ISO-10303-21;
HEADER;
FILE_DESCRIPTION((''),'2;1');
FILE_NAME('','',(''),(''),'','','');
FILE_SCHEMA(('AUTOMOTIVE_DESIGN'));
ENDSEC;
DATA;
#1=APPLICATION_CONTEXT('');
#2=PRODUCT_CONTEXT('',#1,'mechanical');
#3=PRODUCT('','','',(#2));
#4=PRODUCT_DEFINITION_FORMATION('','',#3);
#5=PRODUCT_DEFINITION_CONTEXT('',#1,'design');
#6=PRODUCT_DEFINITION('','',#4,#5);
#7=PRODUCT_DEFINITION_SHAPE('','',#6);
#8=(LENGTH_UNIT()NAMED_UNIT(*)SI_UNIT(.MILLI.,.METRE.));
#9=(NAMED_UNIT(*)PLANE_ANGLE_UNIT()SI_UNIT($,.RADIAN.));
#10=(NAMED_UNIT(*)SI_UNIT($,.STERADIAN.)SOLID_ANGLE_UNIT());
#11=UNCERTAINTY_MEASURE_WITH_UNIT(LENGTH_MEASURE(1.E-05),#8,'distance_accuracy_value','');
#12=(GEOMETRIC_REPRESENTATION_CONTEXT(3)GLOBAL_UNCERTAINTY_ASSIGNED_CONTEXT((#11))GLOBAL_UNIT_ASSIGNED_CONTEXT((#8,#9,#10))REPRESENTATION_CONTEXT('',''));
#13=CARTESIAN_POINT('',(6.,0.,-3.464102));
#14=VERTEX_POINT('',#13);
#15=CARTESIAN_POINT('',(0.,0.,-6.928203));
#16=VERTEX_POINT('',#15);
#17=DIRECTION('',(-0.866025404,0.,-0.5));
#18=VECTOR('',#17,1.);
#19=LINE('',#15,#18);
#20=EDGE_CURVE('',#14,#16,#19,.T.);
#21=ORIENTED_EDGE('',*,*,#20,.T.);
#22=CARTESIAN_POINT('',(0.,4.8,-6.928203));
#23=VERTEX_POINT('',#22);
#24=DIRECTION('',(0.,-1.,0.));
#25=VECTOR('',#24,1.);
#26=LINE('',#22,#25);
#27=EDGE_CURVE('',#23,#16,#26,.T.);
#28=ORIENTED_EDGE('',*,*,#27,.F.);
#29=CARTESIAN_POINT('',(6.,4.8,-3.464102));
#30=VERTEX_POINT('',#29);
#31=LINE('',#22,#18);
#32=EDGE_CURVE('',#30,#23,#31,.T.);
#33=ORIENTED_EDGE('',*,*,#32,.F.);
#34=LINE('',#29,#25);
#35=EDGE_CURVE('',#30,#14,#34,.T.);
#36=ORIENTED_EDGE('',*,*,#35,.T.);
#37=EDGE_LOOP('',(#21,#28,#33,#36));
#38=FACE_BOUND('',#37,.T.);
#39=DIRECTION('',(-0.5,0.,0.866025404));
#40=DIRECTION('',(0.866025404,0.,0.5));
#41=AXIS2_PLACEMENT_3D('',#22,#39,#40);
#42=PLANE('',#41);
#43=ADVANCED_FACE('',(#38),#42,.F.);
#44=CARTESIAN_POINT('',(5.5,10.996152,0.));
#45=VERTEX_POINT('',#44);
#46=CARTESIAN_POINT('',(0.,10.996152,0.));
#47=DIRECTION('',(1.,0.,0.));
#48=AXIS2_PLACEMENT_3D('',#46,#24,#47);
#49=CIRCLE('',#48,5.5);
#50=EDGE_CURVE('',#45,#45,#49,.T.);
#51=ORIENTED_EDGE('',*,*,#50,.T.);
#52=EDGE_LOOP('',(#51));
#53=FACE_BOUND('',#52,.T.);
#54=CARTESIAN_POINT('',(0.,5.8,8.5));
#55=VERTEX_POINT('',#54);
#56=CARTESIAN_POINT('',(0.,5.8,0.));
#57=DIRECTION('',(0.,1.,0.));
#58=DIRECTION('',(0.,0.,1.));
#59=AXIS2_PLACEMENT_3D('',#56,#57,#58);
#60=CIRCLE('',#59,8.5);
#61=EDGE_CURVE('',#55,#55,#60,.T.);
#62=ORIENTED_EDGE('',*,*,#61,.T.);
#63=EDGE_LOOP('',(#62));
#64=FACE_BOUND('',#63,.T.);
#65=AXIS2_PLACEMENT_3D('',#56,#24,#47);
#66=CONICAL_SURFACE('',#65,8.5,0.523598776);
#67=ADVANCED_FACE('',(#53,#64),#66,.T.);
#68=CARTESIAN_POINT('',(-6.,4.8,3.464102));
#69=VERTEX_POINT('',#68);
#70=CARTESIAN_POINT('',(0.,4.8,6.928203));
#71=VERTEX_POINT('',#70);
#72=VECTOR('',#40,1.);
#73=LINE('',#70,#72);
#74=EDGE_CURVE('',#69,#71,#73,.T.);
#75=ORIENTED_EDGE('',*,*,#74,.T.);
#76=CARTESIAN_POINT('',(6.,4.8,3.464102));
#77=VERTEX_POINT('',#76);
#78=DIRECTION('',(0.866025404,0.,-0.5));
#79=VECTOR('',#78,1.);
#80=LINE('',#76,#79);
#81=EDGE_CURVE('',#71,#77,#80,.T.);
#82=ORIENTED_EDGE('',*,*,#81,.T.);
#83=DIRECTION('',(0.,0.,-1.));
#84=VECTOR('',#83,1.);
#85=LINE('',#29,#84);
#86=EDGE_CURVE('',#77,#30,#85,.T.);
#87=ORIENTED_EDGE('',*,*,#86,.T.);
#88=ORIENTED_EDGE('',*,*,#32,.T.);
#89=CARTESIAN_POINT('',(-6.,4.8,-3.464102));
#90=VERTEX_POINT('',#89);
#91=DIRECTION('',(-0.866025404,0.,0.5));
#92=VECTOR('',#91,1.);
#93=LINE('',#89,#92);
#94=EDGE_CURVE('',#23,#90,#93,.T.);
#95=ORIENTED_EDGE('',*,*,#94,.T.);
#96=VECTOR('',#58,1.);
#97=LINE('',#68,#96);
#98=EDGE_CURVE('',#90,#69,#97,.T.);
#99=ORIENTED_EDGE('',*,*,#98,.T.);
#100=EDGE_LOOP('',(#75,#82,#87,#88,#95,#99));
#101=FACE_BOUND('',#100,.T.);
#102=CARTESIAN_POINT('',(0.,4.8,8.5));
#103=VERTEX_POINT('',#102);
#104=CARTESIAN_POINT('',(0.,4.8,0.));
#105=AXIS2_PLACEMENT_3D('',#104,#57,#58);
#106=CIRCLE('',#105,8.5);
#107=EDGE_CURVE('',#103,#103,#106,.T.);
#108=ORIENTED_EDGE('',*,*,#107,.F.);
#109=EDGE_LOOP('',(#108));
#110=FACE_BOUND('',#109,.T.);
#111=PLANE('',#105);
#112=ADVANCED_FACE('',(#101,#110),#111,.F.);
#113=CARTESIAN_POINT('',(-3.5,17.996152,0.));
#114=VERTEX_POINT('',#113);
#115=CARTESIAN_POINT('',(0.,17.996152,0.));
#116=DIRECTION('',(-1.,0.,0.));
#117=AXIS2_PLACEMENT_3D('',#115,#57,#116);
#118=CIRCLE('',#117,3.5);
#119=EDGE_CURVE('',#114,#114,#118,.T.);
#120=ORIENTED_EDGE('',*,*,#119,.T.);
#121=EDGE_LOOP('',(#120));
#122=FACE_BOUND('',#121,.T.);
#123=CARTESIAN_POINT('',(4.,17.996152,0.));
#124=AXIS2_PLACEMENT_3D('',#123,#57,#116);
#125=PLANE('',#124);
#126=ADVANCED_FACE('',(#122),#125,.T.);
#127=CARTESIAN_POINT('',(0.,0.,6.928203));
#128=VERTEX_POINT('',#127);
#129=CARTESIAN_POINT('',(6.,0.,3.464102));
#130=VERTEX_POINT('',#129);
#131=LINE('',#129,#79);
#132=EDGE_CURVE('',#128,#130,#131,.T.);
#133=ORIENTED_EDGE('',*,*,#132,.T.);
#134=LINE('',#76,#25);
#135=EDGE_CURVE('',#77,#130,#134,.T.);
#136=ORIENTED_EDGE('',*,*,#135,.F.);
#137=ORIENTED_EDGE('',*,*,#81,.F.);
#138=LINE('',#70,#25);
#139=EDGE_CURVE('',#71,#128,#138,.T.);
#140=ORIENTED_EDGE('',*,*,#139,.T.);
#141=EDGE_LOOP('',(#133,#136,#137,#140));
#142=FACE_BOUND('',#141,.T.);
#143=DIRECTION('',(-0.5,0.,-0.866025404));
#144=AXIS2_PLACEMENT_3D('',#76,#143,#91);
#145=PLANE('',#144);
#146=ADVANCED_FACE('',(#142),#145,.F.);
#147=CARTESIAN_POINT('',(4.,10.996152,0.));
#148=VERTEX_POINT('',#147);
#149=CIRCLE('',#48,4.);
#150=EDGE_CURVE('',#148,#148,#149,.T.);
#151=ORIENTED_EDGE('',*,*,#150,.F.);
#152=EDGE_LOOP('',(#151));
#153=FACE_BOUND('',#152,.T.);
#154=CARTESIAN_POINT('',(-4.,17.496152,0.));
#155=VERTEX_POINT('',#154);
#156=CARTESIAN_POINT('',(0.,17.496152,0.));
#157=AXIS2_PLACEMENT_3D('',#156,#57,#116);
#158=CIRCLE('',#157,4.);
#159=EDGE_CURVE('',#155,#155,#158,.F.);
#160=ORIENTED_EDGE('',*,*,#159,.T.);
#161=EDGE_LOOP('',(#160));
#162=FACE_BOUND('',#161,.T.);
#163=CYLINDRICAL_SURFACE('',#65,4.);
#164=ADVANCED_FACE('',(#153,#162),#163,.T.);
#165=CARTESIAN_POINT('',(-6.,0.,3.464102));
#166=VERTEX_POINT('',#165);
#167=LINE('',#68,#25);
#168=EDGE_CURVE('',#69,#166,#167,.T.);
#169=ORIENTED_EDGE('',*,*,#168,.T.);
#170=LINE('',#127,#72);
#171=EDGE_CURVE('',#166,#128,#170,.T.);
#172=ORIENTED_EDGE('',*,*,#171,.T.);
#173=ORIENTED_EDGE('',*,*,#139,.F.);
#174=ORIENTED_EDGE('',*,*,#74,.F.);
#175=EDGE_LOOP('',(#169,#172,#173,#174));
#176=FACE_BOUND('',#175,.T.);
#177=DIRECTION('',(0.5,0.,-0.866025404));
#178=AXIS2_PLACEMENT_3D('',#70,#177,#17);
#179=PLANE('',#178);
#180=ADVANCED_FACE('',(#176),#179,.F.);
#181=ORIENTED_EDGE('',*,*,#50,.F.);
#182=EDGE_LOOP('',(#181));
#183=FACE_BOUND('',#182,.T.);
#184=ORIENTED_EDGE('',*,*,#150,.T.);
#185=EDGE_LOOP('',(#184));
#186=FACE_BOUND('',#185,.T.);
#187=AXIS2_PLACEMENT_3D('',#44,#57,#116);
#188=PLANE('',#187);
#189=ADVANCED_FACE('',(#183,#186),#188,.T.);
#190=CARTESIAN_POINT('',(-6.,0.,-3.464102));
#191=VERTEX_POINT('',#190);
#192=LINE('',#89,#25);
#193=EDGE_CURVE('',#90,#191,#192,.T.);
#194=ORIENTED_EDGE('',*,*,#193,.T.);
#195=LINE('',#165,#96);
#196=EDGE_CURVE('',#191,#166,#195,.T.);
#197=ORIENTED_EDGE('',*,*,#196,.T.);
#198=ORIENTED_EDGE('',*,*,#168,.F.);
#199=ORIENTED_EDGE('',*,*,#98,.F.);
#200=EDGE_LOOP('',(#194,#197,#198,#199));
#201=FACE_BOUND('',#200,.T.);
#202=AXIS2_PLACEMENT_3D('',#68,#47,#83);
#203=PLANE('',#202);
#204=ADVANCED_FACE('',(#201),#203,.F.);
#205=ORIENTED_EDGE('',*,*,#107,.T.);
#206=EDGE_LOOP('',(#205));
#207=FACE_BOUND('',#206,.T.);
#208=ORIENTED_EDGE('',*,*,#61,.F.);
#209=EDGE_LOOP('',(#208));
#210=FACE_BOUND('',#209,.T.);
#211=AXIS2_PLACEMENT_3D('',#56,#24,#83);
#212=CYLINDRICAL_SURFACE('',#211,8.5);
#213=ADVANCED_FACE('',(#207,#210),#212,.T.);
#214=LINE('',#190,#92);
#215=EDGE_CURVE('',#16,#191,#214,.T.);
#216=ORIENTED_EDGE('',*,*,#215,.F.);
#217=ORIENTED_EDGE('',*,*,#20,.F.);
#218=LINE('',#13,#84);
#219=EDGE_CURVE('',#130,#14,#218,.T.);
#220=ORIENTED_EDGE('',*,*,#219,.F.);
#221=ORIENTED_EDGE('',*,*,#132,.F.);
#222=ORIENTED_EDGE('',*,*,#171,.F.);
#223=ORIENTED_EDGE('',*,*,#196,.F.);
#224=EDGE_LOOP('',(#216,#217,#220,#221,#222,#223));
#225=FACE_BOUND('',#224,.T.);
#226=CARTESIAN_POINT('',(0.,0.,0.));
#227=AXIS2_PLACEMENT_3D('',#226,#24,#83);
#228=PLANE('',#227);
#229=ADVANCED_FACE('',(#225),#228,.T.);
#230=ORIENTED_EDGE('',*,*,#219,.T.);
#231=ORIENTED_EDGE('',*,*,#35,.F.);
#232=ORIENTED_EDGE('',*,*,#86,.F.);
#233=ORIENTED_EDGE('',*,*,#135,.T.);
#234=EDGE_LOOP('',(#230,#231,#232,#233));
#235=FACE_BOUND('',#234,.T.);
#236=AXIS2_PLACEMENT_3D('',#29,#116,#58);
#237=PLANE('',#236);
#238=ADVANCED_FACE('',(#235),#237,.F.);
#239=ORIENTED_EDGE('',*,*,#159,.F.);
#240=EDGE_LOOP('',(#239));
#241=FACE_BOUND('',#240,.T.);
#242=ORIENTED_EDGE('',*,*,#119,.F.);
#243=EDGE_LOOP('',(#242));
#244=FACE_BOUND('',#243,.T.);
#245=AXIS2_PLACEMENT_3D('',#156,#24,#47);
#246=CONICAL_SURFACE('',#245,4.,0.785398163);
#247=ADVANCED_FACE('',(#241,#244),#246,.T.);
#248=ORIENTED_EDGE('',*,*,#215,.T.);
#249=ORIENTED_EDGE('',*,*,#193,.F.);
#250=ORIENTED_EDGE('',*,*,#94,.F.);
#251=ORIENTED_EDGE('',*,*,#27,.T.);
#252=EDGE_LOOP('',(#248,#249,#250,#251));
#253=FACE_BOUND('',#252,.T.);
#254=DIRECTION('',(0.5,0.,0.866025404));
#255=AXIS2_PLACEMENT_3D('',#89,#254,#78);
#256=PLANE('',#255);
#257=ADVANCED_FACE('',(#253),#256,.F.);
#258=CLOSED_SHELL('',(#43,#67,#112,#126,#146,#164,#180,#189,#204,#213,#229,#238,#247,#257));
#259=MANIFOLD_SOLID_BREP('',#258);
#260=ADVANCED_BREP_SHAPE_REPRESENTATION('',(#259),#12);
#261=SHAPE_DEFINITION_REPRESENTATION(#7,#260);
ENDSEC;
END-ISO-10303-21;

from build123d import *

# Parameters (mm, degrees)
BOSS_EXTRUDE1_DEPTH = 4.8
SKETCH2_R           = 8.5
BOSS_EXTRUDE2_DEPTH = 1
CHAMFER1_SIZE       = 0.5


with BuildPart() as part:
    # Sketch1 → Boss-Extrude1 (new body)
    with BuildSketch(Plane(origin=(0, 0, 0), x_dir=(1, 0, 0), z_dir=(0, 1, 0))):
        Polygon((0, 6.92820323), (6, 3.464101615), (6, -3.464101615), (0, -6.92820323), (-6, -3.464101615), (-6, 3.464101615), align=None)
    extrude(amount=BOSS_EXTRUDE1_DEPTH)

    # Sketch2 → Boss-Extrude2 (add)
    with BuildSketch(Plane(origin=(0, 4.8, 0), x_dir=(1, 0, 0), z_dir=(0, 1, 0))):
        with Locations(Location((0, 0, 0), (0, 0, 270))):
            Circle(SKETCH2_R)
    extrude(amount=BOSS_EXTRUDE2_DEPTH)

    # Sketch3 → Revolve1 (revolve)
    with BuildSketch(Plane.XY):
        Polygon((0, 5.8), (8.5, 5.8), (5.5, 10.996152423), (4, 10.996152423), (4, 17.996152423), (0, 17.996152423), align=None)
    revolve(axis=Axis((0, 5.8, 0), (0, 1, 0)))

    # Chamfer1
    chamfer1_edges = [part.edges().sort_by_distance(p)[0] for p in [
        (-4, 17.996152423, 0),
    ]]
    chamfer(chamfer1_edges, length=CHAMFER1_SIZE)


solid = part.part
